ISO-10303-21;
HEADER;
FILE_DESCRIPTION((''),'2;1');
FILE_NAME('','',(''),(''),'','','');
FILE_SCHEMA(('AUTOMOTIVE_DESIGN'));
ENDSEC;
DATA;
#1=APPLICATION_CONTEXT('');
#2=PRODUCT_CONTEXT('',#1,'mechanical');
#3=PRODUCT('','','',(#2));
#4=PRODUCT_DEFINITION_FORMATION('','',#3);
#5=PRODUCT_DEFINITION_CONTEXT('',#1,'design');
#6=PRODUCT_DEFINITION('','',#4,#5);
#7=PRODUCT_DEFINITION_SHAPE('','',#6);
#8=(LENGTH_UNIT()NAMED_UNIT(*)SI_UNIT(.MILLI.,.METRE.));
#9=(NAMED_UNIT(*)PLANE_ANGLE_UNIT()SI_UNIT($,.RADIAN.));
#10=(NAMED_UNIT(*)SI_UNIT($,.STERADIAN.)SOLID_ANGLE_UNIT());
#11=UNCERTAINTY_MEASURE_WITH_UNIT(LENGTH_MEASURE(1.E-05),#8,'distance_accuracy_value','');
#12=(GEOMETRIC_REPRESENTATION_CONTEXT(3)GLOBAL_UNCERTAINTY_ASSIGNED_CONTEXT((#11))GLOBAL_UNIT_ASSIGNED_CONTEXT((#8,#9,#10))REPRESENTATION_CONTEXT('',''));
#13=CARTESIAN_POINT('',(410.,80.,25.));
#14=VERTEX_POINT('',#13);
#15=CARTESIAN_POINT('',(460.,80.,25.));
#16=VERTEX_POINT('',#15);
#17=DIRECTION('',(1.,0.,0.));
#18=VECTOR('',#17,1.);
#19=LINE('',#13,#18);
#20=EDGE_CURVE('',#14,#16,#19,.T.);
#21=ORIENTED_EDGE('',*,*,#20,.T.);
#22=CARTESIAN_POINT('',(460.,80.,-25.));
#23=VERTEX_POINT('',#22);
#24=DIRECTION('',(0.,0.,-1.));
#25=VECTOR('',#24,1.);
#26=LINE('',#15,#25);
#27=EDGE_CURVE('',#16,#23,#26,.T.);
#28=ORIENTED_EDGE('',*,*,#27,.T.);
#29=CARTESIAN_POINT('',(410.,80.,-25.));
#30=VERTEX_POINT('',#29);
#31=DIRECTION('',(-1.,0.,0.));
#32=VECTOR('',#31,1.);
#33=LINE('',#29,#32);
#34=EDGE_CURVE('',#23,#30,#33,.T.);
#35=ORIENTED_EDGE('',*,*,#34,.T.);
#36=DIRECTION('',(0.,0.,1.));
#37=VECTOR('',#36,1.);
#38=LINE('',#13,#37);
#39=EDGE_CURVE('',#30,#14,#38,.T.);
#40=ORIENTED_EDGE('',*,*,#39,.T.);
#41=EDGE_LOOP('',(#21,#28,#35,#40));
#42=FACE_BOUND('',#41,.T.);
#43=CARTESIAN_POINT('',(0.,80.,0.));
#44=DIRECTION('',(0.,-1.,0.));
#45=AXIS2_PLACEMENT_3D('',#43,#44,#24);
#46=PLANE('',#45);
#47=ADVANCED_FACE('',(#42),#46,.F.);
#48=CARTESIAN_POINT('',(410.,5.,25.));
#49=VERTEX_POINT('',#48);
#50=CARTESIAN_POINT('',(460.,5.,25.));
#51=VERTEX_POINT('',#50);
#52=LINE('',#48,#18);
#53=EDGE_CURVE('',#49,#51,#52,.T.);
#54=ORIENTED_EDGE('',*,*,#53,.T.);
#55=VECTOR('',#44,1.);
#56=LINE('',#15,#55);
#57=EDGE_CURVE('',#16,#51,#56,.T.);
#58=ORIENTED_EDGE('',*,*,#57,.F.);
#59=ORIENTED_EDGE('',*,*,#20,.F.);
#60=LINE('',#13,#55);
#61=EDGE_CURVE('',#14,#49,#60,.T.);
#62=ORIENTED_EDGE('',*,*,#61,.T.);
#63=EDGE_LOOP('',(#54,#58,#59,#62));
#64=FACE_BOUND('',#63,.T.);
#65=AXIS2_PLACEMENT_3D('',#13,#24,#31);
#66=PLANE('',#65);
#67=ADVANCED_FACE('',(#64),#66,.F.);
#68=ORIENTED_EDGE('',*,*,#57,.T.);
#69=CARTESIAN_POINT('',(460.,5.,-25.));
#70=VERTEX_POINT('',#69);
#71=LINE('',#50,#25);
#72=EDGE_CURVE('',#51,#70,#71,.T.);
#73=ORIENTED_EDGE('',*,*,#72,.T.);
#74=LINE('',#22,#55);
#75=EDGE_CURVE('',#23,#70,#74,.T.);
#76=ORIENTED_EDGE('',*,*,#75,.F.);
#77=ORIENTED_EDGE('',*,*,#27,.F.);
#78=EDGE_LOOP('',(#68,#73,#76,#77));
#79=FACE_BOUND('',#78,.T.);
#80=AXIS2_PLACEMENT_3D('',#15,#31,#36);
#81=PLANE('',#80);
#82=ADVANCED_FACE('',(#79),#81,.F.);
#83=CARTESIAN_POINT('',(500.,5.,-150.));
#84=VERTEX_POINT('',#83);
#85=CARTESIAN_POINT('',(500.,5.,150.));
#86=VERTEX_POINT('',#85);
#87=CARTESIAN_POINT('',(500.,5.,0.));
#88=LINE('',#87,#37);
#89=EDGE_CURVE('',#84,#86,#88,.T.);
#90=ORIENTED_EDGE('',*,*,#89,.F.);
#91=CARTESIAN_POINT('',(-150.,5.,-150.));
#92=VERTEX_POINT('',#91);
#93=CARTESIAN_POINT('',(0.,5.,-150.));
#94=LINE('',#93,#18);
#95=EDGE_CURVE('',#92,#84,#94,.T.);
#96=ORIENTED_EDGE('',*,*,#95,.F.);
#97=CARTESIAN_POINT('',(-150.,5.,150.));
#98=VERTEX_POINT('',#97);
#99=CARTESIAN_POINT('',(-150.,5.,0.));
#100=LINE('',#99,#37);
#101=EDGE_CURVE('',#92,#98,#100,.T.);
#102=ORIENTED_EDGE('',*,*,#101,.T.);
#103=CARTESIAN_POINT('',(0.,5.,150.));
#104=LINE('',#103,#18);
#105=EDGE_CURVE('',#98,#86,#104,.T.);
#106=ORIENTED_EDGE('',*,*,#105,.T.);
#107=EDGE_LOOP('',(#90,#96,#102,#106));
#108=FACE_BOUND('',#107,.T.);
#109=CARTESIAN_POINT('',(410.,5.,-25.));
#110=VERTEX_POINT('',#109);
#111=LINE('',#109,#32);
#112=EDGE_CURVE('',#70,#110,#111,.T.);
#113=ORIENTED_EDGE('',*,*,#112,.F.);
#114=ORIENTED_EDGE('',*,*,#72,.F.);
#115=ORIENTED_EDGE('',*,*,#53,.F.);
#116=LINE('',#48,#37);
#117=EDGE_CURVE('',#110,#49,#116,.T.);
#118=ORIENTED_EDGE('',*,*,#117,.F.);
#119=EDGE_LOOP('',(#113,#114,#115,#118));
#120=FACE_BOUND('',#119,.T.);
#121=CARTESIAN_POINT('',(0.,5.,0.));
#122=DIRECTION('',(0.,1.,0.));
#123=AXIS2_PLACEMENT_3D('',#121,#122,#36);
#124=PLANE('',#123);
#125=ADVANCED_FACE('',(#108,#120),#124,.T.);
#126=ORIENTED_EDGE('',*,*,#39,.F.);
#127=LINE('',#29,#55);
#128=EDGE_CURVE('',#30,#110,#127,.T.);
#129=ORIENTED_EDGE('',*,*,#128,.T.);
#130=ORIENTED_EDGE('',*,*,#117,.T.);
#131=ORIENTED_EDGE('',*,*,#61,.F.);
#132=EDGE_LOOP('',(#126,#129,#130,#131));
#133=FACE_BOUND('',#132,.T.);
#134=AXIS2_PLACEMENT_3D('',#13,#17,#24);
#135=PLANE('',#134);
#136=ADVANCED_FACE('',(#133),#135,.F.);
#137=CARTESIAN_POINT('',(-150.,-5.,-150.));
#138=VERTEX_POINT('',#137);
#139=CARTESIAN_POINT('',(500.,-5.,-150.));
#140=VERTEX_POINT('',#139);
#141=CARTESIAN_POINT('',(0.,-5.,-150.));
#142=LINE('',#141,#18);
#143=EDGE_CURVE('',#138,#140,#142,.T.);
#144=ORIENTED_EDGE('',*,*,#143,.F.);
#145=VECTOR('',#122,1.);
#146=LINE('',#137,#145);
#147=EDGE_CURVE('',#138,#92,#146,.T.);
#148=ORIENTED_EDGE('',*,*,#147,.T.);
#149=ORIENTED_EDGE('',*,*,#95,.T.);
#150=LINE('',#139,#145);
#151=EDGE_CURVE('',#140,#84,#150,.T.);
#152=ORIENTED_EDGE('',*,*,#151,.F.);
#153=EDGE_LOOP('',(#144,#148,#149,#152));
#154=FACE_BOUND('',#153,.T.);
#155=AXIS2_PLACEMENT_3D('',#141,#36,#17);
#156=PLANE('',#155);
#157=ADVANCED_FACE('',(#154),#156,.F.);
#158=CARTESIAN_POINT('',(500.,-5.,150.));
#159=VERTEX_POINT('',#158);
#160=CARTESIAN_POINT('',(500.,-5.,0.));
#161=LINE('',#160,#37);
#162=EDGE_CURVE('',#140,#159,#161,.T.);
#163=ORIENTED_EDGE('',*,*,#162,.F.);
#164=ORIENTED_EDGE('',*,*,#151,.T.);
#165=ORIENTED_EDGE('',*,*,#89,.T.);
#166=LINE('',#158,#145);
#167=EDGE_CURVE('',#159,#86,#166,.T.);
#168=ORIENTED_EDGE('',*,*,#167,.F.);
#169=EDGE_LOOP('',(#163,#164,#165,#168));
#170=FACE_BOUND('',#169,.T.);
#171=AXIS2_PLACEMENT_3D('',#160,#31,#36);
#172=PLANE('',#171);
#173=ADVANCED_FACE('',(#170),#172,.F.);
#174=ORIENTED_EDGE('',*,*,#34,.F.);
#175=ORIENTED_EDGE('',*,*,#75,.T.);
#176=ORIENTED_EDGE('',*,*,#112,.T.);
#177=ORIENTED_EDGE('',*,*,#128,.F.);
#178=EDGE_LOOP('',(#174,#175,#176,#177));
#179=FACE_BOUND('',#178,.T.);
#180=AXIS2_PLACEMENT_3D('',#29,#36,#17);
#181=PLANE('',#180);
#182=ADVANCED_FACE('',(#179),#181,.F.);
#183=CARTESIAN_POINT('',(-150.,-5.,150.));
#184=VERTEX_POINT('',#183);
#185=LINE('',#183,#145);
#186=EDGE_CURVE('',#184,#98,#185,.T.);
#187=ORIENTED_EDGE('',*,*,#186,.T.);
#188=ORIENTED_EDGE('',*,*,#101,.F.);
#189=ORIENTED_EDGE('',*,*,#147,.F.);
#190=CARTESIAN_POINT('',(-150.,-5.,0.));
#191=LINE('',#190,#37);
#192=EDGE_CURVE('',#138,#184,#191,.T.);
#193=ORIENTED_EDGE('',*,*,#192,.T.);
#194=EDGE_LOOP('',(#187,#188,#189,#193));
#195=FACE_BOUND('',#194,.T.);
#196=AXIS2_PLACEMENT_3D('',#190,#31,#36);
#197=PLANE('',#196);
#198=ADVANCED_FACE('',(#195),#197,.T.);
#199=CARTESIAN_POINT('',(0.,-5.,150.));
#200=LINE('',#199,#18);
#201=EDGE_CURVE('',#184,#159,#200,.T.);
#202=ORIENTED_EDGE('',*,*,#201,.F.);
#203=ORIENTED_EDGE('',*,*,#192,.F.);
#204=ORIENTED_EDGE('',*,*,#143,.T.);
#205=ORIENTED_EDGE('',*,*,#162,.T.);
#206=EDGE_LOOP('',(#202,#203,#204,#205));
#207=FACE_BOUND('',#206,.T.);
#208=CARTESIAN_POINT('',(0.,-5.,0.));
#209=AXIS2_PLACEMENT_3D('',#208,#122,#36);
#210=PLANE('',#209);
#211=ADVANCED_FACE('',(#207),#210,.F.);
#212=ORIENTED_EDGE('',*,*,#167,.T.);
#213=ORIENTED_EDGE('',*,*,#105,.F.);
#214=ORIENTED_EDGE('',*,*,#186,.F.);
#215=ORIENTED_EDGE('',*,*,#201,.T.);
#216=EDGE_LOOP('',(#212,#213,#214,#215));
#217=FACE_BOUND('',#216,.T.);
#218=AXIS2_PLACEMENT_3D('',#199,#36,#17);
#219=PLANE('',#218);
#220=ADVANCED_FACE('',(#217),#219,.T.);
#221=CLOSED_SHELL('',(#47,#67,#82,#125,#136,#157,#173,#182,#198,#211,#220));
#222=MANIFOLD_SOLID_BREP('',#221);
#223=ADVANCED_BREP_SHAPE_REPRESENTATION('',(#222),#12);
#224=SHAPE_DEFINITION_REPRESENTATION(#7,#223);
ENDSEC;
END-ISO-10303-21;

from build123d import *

# Parameters (mm, degrees)
SKETCH1_W           = 300
SKETCH1_H           = 300
SKETCH1_W_2         = 350
BOSS_EXTRUDE1_DEPTH = 5
SKETCH2_W           = 50
SKETCH2_H           = 50
BOSS_EXTRUDE2_DEPTH = 75


with BuildPart() as part:
    # Sketch1 → Boss-Extrude1 (new body, symmetric)
    with BuildSketch(Plane(origin=(0, 0, 0), x_dir=(1, 0, 0), z_dir=(0, 1, 0))):
        Rectangle(SKETCH1_W, SKETCH1_H)
        with Locations((325, 0)):
            Rectangle(SKETCH1_W_2, SKETCH1_H)
    extrude(amount=BOSS_EXTRUDE1_DEPTH, both=True)

    # Sketch2 → Boss-Extrude2 (add)
    with BuildSketch(Plane(origin=(0, 5, 0), x_dir=(1, 0, 0), z_dir=(0, 1, 0))):
        with Locations((435, 0)):
            Rectangle(SKETCH2_W, SKETCH2_H)
    extrude(amount=BOSS_EXTRUDE2_DEPTH)


solid = part.part
